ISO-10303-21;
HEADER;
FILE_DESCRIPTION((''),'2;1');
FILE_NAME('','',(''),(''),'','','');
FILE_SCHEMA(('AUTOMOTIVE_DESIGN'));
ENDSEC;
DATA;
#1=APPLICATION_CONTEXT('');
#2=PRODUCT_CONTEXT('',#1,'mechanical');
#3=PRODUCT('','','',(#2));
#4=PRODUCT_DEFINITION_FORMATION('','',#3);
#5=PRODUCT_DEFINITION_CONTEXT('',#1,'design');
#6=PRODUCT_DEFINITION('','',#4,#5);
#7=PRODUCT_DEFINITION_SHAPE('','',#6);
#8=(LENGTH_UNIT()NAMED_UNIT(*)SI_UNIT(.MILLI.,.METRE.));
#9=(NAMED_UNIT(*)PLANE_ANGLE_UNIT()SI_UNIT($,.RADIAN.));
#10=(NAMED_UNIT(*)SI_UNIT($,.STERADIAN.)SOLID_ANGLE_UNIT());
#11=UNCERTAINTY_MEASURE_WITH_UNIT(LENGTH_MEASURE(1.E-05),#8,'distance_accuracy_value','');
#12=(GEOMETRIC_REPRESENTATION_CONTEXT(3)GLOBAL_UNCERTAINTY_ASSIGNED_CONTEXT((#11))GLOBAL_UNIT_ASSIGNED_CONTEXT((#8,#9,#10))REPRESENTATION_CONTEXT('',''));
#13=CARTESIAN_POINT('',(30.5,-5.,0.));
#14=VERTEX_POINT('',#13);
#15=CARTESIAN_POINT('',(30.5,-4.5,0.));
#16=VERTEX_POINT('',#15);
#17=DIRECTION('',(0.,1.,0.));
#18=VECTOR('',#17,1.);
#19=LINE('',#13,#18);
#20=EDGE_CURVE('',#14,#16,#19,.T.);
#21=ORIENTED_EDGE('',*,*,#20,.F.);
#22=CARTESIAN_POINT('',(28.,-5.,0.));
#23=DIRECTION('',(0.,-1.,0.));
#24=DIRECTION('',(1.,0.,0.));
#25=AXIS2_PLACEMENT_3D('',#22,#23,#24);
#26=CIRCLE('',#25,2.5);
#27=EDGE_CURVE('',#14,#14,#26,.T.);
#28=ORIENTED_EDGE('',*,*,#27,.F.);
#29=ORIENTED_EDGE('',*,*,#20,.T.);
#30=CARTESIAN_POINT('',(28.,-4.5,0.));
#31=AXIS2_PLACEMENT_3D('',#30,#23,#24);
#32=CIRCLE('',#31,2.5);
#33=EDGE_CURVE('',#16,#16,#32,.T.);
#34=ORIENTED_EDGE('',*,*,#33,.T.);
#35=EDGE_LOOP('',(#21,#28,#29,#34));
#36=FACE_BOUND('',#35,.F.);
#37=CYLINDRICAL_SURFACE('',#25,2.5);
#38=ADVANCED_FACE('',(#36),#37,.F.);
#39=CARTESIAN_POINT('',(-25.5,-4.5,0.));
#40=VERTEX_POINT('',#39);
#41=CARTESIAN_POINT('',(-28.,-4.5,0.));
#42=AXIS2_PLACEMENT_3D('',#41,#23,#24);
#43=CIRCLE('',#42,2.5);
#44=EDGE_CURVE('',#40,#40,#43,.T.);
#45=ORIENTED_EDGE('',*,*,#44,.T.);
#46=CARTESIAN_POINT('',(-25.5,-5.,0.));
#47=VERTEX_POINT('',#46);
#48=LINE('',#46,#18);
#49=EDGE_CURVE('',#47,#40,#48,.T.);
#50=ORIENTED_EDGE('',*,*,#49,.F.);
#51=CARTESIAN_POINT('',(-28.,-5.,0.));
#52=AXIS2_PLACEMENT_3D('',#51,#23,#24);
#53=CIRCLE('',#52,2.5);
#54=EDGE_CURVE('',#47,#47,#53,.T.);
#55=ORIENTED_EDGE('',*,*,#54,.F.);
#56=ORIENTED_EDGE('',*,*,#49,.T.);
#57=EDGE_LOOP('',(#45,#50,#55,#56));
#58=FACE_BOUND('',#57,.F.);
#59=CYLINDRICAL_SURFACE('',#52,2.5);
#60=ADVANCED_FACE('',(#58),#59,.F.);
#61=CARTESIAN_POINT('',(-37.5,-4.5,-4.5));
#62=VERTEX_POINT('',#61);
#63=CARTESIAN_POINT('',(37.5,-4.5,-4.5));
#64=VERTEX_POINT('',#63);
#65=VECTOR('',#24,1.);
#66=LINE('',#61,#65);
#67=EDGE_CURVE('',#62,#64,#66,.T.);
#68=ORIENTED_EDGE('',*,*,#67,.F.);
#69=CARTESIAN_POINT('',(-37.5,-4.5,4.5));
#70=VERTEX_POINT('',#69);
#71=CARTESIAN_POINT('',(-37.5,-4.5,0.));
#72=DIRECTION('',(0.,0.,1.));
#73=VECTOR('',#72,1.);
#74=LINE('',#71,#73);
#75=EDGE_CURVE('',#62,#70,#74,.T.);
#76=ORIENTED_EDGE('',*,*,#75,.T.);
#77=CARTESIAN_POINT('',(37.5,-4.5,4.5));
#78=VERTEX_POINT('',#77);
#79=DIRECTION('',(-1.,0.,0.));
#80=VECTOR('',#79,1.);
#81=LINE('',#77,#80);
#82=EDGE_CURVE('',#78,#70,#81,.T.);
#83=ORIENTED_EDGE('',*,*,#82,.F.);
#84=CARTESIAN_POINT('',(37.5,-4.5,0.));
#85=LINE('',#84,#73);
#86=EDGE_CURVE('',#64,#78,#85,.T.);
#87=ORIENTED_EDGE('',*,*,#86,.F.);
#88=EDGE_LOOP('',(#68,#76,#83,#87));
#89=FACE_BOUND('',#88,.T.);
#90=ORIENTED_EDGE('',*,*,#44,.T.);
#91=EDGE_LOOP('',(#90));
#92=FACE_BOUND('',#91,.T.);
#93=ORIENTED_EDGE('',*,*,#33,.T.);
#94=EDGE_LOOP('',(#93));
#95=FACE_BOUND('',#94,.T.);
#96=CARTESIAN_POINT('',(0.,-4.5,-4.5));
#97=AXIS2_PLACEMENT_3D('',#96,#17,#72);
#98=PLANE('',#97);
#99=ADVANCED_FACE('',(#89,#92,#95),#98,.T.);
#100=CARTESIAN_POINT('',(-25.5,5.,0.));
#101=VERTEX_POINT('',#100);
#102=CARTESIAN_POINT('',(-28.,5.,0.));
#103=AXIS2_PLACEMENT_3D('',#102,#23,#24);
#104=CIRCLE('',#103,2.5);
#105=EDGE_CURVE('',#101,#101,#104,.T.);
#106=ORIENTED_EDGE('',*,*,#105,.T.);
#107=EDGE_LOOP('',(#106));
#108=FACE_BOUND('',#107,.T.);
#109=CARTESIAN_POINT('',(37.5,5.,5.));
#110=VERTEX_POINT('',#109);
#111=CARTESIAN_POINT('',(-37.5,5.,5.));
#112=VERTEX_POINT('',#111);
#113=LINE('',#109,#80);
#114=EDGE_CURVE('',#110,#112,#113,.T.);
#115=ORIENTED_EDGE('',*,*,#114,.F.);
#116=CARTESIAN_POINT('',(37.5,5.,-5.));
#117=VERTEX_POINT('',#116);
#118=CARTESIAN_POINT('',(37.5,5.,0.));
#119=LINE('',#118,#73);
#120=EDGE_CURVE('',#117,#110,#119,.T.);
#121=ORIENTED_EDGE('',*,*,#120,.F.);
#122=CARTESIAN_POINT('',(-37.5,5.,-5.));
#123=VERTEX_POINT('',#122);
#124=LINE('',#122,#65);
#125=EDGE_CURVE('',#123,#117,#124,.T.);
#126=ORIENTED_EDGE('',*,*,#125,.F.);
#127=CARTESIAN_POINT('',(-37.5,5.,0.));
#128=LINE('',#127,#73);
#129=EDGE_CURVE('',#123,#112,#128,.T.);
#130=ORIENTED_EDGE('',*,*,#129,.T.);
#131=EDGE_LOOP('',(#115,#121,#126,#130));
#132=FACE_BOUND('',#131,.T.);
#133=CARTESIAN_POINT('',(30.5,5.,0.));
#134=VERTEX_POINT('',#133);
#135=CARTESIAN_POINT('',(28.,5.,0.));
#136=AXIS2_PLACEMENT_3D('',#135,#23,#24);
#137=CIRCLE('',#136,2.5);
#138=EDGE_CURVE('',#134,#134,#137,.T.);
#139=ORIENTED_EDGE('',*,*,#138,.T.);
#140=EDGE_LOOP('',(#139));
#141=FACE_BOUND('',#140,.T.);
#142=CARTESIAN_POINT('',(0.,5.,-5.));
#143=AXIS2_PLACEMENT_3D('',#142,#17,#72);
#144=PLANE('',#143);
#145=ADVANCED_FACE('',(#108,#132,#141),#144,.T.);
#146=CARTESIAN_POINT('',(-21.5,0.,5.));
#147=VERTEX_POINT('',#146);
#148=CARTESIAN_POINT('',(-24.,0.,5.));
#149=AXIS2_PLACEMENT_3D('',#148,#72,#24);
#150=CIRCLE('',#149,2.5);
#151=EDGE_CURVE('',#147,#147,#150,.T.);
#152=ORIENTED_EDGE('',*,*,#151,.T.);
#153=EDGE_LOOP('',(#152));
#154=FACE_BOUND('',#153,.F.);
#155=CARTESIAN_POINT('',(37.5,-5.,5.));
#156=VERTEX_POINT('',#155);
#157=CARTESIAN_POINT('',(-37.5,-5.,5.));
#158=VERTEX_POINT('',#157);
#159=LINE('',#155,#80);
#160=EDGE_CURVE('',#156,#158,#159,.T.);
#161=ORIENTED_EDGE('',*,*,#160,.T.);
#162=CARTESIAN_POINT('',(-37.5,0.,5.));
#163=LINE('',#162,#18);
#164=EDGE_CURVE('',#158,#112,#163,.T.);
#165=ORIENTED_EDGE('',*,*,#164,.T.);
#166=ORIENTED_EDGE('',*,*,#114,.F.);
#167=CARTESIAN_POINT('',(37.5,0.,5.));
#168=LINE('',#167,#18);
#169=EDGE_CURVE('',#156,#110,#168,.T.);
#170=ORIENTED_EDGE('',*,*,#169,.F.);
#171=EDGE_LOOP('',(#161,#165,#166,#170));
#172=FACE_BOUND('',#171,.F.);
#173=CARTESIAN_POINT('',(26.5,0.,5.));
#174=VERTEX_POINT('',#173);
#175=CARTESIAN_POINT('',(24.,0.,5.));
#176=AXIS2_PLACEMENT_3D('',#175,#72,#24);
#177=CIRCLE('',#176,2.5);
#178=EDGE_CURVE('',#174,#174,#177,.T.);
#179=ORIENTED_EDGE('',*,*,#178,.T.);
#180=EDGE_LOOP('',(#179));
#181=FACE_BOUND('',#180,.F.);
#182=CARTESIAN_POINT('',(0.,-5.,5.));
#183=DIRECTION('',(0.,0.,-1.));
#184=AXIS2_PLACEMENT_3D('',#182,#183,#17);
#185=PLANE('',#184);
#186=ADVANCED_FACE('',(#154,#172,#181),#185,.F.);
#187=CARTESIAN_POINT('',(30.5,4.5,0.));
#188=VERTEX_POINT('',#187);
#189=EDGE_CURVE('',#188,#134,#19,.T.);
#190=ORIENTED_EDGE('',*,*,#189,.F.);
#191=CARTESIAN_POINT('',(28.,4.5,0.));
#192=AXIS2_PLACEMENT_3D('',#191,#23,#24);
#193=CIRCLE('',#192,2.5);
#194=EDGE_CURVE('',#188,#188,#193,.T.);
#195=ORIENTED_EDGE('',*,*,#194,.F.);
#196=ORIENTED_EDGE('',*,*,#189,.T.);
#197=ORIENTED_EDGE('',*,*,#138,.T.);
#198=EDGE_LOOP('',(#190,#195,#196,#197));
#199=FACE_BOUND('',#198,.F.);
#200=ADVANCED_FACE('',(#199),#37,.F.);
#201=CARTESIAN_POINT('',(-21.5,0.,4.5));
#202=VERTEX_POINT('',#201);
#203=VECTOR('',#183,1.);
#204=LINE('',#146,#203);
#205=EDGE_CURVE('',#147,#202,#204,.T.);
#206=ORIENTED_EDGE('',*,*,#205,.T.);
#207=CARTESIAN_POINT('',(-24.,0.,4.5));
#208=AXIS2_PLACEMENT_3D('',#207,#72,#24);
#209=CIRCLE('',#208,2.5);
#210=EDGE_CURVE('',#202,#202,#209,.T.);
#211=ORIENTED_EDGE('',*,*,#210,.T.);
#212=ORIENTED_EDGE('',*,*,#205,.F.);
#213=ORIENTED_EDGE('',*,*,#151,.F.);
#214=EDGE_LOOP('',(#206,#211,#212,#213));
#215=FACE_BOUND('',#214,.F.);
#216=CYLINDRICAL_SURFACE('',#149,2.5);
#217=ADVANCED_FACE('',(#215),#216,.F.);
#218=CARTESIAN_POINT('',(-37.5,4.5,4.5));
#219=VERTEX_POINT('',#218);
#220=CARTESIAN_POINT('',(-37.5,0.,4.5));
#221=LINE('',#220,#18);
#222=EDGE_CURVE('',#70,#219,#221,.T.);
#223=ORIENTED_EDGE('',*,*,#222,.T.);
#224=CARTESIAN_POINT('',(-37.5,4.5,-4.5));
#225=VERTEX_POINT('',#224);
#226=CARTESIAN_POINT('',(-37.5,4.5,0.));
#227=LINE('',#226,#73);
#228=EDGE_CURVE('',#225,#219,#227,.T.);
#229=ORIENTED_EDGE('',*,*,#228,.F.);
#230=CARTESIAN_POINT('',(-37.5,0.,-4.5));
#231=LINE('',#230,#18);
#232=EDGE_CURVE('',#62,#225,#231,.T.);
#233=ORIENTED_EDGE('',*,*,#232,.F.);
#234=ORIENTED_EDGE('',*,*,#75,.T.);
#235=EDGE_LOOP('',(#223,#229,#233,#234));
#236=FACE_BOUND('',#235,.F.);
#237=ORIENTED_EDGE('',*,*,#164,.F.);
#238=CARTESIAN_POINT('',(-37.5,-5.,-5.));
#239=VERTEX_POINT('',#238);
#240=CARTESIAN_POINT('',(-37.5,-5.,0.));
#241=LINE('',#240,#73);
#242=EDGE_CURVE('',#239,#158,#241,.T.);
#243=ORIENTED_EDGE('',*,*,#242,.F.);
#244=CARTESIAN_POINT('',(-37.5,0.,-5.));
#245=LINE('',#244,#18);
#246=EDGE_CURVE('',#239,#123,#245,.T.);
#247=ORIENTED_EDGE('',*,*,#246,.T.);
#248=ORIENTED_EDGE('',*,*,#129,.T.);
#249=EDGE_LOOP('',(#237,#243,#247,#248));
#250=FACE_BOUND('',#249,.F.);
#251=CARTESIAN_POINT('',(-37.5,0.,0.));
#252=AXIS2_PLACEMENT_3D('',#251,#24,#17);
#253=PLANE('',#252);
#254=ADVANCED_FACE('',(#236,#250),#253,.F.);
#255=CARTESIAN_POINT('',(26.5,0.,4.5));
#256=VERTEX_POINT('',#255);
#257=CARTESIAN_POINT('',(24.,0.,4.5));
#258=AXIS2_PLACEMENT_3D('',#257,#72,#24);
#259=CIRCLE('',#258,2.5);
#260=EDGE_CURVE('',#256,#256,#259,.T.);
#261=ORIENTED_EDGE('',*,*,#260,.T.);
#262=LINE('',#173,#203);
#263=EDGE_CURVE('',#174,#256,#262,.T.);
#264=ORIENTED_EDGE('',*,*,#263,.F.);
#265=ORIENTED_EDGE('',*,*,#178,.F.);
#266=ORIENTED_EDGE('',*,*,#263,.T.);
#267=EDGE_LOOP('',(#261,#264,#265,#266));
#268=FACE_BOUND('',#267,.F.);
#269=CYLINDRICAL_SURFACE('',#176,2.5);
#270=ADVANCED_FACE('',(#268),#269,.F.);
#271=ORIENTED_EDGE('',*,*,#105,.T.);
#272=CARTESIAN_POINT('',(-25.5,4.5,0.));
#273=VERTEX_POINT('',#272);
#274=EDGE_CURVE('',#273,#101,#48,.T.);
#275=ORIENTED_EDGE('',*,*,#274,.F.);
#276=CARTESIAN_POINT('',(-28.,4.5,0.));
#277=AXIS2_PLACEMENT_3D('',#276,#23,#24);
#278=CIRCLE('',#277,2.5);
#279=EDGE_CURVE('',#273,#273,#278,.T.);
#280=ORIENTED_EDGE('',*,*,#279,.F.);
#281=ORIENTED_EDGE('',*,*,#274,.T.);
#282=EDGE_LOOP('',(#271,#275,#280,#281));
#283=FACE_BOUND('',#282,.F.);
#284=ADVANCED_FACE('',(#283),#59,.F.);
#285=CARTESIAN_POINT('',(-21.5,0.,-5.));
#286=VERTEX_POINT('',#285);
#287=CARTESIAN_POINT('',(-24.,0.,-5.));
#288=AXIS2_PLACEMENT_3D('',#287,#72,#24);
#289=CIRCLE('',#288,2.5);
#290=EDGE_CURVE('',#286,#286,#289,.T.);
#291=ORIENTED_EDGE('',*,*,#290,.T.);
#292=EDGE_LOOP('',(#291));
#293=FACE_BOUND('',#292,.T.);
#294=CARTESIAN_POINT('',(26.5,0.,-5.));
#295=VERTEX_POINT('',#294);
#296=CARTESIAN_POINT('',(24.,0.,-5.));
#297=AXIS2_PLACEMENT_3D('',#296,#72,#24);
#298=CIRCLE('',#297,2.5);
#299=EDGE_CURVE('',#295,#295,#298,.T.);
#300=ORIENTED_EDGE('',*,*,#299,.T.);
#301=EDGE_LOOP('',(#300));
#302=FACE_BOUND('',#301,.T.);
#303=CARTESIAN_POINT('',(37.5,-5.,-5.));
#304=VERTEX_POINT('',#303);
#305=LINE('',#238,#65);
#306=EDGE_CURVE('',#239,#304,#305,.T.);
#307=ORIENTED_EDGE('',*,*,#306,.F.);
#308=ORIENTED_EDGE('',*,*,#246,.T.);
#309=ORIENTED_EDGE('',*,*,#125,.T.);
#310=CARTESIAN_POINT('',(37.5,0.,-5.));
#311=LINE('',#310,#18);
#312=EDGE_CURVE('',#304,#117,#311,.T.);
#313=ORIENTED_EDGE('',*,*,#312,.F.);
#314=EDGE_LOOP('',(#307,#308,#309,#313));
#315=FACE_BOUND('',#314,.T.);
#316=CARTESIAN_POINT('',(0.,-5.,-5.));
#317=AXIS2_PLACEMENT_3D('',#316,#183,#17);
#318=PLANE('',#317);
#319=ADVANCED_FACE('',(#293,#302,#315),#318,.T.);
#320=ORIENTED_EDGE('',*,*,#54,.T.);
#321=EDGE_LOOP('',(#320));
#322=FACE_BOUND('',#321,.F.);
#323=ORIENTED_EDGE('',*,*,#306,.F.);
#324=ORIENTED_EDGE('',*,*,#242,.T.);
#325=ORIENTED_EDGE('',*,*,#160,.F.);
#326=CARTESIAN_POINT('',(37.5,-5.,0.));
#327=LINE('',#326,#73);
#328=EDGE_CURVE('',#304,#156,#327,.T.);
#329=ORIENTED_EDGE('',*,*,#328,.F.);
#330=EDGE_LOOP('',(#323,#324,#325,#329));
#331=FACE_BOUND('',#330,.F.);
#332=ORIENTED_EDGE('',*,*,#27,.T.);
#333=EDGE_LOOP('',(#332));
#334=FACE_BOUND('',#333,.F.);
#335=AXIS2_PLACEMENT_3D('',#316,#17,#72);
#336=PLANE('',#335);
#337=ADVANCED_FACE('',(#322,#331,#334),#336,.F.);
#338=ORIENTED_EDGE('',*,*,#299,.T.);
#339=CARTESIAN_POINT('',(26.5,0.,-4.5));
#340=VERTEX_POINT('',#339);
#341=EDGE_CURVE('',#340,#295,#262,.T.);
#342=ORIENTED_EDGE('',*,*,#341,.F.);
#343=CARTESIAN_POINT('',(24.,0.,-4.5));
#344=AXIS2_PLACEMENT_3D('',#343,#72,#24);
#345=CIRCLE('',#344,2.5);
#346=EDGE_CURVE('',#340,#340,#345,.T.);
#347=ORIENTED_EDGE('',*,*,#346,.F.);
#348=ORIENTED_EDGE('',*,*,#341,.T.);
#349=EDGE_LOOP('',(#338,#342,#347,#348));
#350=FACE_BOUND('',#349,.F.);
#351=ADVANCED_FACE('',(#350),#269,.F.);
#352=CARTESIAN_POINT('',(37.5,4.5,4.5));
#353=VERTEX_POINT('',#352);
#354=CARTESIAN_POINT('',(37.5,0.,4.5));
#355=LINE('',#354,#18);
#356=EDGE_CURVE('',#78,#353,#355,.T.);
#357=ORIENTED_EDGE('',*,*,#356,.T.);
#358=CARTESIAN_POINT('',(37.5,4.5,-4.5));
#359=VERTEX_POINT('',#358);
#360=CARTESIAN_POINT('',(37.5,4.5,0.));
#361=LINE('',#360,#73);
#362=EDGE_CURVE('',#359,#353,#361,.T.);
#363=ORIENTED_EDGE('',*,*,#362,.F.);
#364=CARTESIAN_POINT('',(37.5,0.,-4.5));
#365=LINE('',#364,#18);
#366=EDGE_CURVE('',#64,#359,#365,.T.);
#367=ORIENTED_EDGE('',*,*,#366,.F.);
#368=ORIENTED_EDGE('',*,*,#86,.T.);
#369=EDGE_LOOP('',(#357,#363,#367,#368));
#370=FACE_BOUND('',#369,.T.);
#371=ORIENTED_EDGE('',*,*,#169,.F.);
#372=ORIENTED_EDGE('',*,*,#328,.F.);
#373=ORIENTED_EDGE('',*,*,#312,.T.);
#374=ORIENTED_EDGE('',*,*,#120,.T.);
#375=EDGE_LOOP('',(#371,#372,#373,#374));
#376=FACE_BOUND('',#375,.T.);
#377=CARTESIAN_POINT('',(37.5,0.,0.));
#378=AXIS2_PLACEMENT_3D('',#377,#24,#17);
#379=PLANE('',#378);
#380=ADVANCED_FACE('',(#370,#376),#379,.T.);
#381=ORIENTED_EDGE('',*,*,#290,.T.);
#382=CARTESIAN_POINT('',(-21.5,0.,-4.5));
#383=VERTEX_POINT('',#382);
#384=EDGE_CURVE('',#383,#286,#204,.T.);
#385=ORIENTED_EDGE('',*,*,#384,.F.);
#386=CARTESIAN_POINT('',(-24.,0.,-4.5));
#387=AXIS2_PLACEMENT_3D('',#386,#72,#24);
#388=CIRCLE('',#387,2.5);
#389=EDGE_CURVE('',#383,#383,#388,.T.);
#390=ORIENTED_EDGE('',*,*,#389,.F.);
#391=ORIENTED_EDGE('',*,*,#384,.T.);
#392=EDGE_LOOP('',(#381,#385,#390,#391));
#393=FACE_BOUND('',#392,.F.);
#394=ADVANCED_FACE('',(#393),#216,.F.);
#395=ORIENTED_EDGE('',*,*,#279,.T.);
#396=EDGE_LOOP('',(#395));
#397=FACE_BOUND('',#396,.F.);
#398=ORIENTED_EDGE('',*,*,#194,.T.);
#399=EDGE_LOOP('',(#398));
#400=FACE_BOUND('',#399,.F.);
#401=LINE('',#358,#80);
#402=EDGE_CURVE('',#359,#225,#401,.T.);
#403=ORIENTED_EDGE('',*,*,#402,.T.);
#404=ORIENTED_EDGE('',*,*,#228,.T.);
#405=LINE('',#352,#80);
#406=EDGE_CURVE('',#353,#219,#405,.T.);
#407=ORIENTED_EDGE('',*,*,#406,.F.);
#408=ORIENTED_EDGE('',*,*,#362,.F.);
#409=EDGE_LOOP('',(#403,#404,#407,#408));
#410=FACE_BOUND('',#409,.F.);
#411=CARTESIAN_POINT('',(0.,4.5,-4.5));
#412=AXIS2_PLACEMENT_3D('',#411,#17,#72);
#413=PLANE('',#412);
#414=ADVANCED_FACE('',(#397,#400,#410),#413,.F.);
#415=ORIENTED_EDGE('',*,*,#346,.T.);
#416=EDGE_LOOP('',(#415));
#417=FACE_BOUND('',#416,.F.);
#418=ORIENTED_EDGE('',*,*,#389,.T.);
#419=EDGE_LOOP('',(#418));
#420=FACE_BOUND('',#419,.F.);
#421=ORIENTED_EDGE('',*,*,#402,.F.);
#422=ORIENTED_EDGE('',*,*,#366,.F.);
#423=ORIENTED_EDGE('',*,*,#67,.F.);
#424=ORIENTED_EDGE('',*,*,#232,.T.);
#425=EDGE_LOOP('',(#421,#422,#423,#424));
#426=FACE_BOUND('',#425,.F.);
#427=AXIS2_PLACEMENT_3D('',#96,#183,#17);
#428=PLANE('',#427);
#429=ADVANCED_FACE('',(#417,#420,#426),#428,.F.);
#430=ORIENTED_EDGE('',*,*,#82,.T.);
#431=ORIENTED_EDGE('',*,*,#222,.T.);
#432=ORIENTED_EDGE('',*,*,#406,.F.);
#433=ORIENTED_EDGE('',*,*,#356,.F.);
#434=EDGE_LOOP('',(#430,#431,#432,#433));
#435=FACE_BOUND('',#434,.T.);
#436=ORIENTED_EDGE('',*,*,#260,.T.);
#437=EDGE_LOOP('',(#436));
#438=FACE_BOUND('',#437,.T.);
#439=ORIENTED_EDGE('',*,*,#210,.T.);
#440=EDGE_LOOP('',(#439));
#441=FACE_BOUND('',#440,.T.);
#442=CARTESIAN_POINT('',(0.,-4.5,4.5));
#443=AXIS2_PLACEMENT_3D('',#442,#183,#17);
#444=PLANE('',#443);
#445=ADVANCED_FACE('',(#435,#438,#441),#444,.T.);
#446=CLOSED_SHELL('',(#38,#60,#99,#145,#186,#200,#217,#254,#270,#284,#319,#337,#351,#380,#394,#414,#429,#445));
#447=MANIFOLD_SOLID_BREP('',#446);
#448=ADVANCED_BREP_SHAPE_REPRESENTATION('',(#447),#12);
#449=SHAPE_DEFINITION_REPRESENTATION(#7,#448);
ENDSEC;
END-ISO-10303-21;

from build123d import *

# Parameters (mm, degrees)
F0_W          = 10
F0_H          = 10
F0_W_2        = 9
F0_H_2        = 9
F1_DEPTH      = 37.5
F1_DEPTH_BACK = 37.5
F2_R          = 2.5
F3_DEPTH      = 10
F4_R          = 2.5
F5_DEPTH      = 10


with BuildPart() as f1:
    # F0 (on Right) → F1 (new body, two sides)
    with BuildSketch(Plane.YZ) as f1_sk:
        Rectangle(F0_W, F0_H)
        Rectangle(F0_W_2, F0_H_2, mode=Mode.SUBTRACT)
    extrude(amount=F1_DEPTH)
    extrude(f1_sk.sketch, amount=-F1_DEPTH_BACK)

    # F2 (on face) → F3 (cut)
    with BuildSketch(Plane.XY.offset(5)):
        with Locations((-24, 0)):
            Circle(F2_R)
        with Locations((24, 0)):
            Circle(F2_R)
    extrude(amount=-F3_DEPTH, mode=Mode.SUBTRACT)

    # F4 (on face) → F5 (cut)
    with BuildSketch(Plane.XZ.offset(5)):
        with Locations((-28, 0)):
            Circle(F4_R)
        with Locations((28, 0)):
            Circle(F4_R)
    extrude(amount=-F5_DEPTH, mode=Mode.SUBTRACT)


solid = f1.part
